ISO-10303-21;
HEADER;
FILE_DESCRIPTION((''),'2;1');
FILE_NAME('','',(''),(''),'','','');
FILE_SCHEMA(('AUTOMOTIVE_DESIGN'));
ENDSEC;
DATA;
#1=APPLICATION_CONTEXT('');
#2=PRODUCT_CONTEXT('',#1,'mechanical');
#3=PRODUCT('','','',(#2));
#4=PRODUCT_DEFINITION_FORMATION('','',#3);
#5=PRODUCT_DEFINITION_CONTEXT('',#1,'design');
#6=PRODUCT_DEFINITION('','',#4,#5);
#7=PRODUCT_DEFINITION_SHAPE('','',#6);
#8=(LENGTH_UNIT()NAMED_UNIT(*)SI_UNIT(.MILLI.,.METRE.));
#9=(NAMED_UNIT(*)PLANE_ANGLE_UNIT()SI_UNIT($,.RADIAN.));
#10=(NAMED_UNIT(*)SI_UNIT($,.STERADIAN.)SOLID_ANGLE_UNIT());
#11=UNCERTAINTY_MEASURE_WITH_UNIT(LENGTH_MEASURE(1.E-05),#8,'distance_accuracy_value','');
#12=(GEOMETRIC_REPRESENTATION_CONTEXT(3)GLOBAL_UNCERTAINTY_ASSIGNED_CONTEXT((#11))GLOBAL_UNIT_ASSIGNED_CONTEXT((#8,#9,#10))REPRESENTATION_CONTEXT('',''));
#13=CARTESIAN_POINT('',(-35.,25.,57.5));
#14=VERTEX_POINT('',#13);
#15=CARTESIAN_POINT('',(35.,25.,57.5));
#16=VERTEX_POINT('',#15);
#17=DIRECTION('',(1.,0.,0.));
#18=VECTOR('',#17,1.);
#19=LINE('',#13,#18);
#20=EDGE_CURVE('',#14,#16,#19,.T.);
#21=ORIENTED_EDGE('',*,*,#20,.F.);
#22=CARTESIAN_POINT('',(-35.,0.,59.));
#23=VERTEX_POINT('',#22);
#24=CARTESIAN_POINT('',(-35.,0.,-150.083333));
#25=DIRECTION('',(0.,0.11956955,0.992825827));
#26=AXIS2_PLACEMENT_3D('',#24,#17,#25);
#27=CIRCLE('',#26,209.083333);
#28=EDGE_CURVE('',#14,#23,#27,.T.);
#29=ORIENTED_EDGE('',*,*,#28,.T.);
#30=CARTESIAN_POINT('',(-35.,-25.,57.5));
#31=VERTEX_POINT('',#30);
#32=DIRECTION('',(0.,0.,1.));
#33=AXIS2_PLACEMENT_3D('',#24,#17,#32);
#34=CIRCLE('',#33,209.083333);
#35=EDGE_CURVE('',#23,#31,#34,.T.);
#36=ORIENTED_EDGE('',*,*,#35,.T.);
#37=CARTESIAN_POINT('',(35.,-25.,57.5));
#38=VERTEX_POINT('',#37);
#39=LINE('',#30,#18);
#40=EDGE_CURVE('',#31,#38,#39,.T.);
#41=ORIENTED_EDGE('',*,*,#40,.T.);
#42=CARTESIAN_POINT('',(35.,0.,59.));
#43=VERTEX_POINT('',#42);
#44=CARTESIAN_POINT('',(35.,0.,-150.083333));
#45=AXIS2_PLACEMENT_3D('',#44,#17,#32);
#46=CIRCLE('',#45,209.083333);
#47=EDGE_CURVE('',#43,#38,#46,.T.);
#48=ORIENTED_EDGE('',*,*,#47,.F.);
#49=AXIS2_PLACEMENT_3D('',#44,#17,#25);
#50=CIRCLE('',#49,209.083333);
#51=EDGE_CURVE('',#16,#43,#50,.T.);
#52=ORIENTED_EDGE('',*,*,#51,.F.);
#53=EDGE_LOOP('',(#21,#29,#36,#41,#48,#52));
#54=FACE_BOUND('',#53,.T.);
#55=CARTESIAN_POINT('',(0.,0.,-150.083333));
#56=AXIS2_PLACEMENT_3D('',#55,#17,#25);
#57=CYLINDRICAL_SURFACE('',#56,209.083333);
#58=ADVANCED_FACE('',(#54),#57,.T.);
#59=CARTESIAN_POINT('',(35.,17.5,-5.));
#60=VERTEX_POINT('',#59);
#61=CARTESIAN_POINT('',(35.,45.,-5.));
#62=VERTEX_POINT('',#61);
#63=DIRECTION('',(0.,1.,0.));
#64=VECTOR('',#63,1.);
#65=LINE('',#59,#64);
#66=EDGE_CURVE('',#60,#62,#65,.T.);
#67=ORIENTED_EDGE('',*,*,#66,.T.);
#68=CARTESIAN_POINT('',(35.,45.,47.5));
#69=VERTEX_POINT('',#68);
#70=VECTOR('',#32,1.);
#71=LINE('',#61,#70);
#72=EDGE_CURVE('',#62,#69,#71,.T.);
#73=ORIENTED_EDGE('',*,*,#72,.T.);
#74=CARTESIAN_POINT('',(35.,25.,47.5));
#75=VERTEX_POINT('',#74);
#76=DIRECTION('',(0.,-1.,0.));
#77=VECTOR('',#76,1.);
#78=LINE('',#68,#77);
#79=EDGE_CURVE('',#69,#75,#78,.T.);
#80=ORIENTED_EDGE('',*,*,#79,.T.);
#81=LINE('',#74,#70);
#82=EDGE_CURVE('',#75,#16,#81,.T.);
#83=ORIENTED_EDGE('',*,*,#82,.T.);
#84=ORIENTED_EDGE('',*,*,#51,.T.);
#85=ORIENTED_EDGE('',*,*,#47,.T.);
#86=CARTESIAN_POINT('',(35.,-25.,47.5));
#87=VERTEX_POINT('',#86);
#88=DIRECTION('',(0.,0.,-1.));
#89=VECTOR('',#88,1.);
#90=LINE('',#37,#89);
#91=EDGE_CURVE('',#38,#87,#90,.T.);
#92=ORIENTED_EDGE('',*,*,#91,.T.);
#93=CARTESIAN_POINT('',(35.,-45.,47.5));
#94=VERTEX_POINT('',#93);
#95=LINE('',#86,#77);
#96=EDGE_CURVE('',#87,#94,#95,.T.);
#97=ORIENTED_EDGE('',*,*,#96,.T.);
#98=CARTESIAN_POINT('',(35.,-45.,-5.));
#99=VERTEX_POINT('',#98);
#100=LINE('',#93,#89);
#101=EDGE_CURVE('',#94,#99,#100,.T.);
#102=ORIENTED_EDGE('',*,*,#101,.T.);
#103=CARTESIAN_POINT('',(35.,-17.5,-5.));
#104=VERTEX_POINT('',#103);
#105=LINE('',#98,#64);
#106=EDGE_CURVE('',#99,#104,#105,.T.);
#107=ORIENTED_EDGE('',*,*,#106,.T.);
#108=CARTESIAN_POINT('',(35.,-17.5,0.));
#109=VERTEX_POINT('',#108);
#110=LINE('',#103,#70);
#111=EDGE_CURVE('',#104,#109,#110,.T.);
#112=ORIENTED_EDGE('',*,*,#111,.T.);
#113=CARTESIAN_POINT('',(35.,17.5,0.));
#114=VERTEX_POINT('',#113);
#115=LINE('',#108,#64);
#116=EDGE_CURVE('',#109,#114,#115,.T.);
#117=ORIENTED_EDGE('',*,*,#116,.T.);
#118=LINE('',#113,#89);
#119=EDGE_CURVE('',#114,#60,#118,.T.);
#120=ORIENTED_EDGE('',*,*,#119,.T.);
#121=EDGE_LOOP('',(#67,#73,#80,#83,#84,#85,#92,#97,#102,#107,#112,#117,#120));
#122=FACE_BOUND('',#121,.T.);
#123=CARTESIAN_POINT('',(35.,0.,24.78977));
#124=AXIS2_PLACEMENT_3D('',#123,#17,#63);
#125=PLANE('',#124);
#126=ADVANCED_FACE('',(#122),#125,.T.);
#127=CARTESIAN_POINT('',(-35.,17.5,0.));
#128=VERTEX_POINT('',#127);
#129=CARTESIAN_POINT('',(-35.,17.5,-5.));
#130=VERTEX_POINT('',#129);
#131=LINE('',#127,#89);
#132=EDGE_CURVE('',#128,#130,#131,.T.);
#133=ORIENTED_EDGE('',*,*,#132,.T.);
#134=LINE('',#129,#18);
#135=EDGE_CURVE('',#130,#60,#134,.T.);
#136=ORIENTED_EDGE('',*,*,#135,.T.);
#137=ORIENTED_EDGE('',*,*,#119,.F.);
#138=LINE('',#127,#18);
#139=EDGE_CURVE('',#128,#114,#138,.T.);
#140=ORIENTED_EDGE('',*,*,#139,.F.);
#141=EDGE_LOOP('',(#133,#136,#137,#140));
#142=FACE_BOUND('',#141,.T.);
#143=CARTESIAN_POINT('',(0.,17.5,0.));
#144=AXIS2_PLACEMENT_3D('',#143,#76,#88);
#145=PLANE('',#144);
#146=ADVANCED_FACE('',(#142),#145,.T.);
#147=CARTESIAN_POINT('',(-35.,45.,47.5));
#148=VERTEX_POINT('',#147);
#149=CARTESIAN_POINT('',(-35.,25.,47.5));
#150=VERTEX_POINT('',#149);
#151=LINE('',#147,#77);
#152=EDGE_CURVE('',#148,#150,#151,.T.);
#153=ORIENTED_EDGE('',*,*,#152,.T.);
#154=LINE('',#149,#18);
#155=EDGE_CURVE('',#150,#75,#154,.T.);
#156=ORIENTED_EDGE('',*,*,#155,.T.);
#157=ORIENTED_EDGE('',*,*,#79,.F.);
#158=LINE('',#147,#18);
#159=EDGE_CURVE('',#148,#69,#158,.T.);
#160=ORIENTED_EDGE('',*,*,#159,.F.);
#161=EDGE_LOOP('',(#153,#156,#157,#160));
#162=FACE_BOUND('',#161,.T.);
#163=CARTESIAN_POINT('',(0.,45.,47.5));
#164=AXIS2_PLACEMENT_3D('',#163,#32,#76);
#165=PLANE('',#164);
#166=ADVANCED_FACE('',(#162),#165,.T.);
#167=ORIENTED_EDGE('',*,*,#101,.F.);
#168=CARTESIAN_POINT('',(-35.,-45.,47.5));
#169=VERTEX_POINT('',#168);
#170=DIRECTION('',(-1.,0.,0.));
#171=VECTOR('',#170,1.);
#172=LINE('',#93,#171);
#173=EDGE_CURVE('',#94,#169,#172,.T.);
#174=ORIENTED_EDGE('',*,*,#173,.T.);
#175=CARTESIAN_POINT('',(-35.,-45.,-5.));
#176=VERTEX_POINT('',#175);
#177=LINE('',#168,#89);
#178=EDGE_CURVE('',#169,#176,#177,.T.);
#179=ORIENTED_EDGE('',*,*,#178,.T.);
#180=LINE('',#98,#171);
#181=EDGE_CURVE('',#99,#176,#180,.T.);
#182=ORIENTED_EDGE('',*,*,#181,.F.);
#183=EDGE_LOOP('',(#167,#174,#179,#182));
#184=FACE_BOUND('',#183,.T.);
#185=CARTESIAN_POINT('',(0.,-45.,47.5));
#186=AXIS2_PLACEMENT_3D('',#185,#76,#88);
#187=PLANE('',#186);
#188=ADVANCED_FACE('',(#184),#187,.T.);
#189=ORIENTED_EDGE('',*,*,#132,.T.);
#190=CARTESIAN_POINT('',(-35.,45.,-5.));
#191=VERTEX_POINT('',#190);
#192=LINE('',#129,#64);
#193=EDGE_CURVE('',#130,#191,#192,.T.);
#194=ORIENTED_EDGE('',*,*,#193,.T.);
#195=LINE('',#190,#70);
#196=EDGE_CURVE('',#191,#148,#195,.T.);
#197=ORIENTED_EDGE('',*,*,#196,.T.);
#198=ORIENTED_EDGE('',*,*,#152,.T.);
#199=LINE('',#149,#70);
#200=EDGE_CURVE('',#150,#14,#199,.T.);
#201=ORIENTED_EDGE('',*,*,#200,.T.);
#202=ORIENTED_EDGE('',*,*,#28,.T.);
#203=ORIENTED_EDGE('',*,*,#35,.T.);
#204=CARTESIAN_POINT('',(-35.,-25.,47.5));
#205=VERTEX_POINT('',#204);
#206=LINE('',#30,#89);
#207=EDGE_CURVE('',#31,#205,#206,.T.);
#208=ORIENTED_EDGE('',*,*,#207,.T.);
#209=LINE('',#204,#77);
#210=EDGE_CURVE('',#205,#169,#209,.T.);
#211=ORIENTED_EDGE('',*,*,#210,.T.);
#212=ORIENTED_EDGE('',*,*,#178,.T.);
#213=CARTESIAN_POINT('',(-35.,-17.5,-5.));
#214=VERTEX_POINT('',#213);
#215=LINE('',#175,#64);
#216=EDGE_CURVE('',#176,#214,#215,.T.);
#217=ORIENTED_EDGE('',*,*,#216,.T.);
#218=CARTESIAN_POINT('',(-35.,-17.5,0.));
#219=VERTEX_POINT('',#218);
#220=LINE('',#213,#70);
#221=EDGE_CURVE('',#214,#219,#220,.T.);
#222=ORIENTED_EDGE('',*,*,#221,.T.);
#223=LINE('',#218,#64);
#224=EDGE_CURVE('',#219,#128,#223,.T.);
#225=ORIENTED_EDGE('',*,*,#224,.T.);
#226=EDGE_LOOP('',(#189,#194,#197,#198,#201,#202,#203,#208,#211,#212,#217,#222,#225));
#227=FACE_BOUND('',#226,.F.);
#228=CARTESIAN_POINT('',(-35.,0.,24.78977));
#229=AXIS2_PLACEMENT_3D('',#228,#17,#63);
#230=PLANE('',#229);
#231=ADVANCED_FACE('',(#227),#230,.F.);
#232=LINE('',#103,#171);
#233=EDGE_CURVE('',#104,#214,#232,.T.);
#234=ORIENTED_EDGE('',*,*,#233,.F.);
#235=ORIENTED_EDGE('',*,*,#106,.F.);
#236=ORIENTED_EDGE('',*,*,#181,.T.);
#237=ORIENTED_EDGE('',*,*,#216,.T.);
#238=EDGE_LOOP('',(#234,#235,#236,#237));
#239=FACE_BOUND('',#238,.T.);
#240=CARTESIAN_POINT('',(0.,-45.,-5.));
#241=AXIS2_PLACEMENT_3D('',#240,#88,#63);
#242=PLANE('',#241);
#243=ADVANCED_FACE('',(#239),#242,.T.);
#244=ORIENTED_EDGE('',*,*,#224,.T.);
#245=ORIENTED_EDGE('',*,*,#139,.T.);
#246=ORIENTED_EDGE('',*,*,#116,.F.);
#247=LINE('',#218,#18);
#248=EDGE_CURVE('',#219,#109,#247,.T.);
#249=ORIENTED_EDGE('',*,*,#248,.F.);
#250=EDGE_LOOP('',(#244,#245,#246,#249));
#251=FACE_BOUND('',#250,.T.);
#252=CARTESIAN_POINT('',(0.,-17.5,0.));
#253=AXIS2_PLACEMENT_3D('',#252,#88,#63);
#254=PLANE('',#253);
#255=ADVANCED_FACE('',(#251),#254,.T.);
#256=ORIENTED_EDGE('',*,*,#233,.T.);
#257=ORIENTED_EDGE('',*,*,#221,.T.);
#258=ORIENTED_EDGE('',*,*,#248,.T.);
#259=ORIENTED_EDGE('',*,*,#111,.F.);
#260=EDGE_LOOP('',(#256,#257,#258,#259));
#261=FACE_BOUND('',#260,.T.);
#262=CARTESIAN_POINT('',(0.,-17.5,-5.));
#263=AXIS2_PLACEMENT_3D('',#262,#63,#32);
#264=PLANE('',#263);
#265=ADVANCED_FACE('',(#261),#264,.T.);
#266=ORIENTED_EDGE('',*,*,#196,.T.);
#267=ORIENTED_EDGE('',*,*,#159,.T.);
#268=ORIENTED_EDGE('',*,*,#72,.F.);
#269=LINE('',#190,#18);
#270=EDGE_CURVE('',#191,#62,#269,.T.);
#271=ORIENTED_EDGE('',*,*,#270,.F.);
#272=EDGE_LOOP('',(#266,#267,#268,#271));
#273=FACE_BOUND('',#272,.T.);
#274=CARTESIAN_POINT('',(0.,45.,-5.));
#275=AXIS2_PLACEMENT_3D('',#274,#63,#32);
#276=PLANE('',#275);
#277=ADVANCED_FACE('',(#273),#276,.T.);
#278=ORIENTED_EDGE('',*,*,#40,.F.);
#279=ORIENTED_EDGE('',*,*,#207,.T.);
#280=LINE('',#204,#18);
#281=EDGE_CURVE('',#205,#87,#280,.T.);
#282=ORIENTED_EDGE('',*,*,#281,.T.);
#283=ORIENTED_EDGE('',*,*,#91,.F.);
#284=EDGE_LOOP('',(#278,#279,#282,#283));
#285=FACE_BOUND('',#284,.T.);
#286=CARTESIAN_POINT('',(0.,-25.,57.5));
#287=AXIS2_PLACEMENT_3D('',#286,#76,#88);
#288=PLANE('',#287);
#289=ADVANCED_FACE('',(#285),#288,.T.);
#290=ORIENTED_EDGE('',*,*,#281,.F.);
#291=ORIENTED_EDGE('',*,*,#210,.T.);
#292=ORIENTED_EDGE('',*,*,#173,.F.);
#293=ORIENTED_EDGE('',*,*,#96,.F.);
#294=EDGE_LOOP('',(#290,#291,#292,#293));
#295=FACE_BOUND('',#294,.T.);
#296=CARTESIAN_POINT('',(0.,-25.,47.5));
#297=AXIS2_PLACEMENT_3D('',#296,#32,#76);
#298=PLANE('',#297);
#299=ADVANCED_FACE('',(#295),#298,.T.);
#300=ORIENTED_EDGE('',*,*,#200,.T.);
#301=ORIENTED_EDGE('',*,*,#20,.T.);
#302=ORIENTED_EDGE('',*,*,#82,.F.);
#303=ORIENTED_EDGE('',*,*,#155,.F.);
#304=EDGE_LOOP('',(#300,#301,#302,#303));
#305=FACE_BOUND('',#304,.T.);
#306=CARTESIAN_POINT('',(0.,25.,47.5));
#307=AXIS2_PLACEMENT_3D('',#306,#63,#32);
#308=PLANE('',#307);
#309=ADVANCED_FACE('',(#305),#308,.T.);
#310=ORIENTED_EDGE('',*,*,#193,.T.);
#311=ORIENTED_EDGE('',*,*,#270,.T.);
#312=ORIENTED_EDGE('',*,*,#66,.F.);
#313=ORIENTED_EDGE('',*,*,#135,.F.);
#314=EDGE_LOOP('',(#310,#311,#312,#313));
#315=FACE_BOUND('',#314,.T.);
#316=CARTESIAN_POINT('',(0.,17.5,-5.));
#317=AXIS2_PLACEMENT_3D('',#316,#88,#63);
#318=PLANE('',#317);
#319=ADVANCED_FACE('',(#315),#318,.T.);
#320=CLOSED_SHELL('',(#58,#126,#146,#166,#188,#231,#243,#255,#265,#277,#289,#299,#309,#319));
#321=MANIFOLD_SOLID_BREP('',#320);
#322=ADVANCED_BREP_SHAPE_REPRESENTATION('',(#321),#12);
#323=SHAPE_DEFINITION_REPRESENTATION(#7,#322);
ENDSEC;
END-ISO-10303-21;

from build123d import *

# Parameters (mm, degrees)
F1_DEPTH = 35


with BuildPart() as f1:
    # F0 (on Right) → F1 (new body, symmetric)
    with BuildSketch(Plane.YZ):
        with BuildLine():
            Line((-17.5, -5), (-17.5, 0))
            Line((-17.5, 0), (0, 0))
            Line((0, 0), (17.5, 0))
            Line((17.5, 0), (17.5, -5))
            Line((17.5, -5), (45, -5))
            Line((45, -5), (45, 47.5))
            Line((45, 47.5), (25, 47.5))
            Line((25, 47.5), (25, 57.5))
            ThreePointArc((25, 57.5), (12.5224797864, 58.6246631061), (0, 59))
            ThreePointArc((0, 59), (-12.5224797864, 58.6246631061), (-25, 57.5))
            Line((-25, 57.5), (-25, 47.5))
            Line((-25, 47.5), (-45, 47.5))
            Line((-45, 47.5), (-45, -5))
            Line((-45, -5), (-17.5, -5))
        make_face()
    extrude(amount=F1_DEPTH, both=True)


solid = f1.part
